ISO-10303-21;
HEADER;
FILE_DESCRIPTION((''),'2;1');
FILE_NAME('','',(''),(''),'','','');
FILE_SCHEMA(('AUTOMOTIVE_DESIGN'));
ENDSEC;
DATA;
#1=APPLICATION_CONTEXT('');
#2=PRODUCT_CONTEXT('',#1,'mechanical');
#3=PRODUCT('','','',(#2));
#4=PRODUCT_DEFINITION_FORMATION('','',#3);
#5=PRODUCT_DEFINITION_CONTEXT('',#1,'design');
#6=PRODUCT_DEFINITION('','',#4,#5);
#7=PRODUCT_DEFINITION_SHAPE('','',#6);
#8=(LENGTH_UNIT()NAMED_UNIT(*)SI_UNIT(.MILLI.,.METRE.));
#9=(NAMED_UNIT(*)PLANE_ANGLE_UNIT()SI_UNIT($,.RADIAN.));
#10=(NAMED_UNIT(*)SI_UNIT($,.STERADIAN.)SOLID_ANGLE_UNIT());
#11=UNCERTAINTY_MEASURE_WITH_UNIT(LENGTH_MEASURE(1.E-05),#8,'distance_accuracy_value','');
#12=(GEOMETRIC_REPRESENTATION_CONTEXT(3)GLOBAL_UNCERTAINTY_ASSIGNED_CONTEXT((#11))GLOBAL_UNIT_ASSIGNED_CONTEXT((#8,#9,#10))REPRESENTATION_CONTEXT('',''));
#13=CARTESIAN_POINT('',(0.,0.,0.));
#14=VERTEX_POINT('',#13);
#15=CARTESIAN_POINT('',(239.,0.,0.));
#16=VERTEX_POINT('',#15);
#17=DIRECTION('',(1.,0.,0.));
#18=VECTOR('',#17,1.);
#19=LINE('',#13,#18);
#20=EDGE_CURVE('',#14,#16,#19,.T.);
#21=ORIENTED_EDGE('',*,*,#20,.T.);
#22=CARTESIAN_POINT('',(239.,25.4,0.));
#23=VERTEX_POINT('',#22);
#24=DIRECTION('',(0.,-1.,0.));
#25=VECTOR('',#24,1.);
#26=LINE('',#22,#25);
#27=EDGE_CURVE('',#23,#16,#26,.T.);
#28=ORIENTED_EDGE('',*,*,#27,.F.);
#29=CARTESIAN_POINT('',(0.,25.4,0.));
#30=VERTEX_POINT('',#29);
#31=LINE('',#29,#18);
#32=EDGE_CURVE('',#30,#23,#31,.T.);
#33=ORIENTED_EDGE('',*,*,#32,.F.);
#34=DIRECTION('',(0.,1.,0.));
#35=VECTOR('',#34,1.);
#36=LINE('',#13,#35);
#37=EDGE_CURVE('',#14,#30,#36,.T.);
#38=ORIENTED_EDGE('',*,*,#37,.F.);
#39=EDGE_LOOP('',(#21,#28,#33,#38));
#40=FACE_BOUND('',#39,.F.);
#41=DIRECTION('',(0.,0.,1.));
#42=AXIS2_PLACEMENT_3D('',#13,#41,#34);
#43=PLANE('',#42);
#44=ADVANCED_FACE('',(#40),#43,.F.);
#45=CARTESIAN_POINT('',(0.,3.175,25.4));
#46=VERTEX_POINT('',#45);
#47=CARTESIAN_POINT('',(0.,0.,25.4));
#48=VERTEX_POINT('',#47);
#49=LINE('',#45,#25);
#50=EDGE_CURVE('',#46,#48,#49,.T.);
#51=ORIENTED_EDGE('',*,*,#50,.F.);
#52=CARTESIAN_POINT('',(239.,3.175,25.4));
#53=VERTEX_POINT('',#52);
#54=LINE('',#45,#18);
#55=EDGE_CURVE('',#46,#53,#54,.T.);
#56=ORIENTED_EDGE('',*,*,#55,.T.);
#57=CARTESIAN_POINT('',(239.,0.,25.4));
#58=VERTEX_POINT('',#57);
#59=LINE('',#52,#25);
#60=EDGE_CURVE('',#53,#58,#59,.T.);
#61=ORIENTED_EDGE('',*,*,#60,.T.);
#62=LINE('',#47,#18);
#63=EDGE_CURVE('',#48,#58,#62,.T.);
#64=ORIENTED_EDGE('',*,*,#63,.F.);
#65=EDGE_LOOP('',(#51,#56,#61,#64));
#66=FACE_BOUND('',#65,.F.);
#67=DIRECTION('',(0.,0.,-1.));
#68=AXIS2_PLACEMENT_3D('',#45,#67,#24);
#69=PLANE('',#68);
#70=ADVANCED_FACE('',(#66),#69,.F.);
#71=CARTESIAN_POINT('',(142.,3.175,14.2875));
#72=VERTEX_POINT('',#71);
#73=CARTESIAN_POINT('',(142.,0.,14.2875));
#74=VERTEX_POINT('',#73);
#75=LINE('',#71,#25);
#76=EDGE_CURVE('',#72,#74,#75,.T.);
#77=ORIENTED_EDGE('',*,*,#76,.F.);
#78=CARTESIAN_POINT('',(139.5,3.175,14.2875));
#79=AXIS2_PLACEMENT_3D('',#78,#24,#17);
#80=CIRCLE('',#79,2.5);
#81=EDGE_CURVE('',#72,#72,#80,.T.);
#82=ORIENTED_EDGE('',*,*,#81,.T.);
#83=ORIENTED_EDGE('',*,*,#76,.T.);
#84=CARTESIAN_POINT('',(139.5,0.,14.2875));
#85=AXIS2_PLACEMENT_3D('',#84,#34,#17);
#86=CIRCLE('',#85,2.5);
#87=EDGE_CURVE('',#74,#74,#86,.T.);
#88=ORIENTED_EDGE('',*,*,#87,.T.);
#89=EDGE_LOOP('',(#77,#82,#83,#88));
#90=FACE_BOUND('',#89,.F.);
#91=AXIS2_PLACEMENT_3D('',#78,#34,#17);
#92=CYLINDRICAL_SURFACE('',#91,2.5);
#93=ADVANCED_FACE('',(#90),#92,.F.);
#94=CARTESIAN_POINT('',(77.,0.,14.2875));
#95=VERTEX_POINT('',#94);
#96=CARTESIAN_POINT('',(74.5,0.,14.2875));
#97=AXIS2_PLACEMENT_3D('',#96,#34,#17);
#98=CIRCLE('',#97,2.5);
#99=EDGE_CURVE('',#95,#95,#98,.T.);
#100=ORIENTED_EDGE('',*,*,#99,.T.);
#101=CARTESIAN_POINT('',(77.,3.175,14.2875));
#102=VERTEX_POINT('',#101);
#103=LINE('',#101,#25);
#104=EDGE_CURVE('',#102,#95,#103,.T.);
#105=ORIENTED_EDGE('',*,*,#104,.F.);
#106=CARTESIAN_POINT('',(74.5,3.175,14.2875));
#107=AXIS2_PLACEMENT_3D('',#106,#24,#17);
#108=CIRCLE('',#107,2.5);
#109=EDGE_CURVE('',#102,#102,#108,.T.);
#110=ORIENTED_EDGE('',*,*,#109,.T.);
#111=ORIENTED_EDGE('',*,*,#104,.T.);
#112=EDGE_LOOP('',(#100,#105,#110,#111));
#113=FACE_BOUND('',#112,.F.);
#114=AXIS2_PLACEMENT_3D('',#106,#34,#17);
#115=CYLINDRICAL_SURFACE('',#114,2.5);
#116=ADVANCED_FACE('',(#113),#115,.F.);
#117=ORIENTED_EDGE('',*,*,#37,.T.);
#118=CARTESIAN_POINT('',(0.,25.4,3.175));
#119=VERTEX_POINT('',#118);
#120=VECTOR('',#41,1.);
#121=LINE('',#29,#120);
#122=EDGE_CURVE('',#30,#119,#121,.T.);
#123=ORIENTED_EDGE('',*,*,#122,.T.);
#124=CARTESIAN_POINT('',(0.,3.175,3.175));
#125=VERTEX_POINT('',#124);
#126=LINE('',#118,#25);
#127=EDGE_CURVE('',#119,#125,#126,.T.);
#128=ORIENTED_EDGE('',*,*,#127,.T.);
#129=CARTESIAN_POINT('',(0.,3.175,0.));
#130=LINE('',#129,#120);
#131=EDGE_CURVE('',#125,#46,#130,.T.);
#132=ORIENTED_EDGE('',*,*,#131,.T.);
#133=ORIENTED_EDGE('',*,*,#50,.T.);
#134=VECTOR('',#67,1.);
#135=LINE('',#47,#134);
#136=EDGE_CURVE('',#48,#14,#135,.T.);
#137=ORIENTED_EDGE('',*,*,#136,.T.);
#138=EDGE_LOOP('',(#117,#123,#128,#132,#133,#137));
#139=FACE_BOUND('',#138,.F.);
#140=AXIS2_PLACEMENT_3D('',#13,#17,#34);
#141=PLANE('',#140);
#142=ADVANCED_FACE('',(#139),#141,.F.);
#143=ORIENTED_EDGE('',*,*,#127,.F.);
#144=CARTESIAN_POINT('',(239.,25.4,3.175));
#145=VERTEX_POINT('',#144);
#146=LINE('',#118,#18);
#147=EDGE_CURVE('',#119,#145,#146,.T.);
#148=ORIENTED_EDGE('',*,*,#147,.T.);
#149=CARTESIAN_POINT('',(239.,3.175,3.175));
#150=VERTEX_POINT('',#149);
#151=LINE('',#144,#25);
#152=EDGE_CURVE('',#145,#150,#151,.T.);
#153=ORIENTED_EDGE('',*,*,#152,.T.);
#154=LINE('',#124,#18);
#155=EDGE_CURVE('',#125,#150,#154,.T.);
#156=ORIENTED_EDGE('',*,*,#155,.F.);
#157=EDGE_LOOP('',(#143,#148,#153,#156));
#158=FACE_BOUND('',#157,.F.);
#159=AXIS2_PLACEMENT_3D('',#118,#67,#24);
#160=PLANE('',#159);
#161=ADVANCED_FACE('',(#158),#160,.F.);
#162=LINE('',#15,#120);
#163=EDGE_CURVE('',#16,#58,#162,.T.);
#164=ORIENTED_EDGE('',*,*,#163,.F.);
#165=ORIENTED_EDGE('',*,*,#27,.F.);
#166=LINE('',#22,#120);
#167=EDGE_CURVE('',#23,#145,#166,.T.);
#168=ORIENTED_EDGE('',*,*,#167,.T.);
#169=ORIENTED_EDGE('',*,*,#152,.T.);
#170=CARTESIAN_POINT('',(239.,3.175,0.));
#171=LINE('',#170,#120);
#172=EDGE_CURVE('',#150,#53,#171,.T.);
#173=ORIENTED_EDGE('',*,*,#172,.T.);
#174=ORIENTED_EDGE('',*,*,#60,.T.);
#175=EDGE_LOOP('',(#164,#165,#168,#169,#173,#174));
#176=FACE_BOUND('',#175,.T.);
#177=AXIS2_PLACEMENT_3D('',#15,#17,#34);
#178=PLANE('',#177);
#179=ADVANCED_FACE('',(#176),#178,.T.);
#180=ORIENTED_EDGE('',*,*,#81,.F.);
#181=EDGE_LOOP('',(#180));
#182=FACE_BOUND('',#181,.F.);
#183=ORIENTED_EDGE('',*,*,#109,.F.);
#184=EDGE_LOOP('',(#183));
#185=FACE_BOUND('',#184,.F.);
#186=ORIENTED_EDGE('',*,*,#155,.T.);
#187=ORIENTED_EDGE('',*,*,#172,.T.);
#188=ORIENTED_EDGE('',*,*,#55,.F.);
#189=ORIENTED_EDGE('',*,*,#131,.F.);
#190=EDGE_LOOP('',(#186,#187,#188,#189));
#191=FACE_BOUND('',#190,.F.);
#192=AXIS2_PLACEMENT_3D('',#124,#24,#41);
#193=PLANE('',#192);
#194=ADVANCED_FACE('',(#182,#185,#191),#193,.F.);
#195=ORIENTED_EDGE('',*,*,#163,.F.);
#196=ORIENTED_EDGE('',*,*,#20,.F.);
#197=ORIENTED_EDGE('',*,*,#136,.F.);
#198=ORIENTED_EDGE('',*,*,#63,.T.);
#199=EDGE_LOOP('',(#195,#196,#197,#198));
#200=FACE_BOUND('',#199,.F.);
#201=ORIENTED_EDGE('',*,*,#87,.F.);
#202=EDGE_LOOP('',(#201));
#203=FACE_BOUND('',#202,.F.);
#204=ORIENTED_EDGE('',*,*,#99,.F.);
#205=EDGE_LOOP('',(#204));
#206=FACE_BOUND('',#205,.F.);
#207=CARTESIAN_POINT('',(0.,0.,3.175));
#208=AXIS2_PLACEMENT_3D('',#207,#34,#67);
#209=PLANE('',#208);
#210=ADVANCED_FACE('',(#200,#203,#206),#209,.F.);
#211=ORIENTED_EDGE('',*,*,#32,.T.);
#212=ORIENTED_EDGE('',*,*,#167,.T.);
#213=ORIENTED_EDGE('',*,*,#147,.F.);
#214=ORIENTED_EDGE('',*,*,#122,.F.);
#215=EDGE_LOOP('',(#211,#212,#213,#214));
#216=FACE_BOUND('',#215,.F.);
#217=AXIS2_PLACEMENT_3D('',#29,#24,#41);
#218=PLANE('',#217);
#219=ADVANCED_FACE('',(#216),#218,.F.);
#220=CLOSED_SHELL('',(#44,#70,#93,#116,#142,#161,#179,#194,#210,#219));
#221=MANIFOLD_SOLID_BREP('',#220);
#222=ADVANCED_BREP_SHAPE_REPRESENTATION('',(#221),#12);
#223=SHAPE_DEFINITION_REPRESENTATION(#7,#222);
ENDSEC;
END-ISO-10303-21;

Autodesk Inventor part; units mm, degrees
ref_plane "YZ Plane" through (0, 0, 0) normal (1, 0, 0) x (0, 1, 0)
ref_plane "XZ Plane" through (0, 0, 0) normal (0, 1, 0) x (-1, 0, 0)
ref_plane "XY Plane" through (0, 0, 0) normal (0, 0, 1) x (1, 0, 0)
sketch "Sketch1" plane through (0, 0, 0) normal (1, 0, 0) x (0, 1, 0)
  line L0 (0, 0) -> (25.4, 0)
  line L1 (25.4, 0) -> (25.4, 3.175)
  line L2 (25.4, 3.175) -> (0, 3.175)
  line L3 (0, 3.175) -> (0, 0)
  line L4 (0, 0) -> (3.175, 0)
  line L5 (3.175, 0) -> (3.175, 25.4)
  line L6 (3.175, 25.4) -> (0, 25.4)
  line L7 (0, 25.4) -> (0, 0)
  point P0 (3.175, 3.175)
  dimension "d0" = 25.4
  dimension "d1" = 3.175
  dimension "d2" = 3.175
  dimension "d3" = 25.4
extrude "Extrusion1" add sketch "Sketch1" along normal blind 239
sketch "Sketch2" plane through (0, 3.175, 25.4) normal (0, 1, 0) x (1, 0, 0)
  line L0 (0, 22.225) -> (0, 0) projected
  line L1 (0, 0) -> (239, 0) projected
  line L2 (239, 22.225) -> (239, 0) projected
  line L3 (0, 22.225) -> (239, 22.225) projected
  line L4 (0, 11.1125) -> (74.5, 11.1125)
  line L5 (74.5, 11.1125) -> (139.5, 11.1125)
  circle A0 centre (139.5, 11.1125) radius 2.5
  circle A1 centre (74.5, 11.1125) radius 2.5
  point P0 (0, 25.4)
  dimension "d6" = 74.5
  dimension "d7" = 65
  dimension "d9" = 5
  dimension "d12" = 5
extrude "Extrusion2" cut sketch "Sketch2" against normal blind 10 contours A0 | A1 L5 L4 | L4 L5 A1
properties part number "PERFIL_SOPORTE DEL MOTOR"
